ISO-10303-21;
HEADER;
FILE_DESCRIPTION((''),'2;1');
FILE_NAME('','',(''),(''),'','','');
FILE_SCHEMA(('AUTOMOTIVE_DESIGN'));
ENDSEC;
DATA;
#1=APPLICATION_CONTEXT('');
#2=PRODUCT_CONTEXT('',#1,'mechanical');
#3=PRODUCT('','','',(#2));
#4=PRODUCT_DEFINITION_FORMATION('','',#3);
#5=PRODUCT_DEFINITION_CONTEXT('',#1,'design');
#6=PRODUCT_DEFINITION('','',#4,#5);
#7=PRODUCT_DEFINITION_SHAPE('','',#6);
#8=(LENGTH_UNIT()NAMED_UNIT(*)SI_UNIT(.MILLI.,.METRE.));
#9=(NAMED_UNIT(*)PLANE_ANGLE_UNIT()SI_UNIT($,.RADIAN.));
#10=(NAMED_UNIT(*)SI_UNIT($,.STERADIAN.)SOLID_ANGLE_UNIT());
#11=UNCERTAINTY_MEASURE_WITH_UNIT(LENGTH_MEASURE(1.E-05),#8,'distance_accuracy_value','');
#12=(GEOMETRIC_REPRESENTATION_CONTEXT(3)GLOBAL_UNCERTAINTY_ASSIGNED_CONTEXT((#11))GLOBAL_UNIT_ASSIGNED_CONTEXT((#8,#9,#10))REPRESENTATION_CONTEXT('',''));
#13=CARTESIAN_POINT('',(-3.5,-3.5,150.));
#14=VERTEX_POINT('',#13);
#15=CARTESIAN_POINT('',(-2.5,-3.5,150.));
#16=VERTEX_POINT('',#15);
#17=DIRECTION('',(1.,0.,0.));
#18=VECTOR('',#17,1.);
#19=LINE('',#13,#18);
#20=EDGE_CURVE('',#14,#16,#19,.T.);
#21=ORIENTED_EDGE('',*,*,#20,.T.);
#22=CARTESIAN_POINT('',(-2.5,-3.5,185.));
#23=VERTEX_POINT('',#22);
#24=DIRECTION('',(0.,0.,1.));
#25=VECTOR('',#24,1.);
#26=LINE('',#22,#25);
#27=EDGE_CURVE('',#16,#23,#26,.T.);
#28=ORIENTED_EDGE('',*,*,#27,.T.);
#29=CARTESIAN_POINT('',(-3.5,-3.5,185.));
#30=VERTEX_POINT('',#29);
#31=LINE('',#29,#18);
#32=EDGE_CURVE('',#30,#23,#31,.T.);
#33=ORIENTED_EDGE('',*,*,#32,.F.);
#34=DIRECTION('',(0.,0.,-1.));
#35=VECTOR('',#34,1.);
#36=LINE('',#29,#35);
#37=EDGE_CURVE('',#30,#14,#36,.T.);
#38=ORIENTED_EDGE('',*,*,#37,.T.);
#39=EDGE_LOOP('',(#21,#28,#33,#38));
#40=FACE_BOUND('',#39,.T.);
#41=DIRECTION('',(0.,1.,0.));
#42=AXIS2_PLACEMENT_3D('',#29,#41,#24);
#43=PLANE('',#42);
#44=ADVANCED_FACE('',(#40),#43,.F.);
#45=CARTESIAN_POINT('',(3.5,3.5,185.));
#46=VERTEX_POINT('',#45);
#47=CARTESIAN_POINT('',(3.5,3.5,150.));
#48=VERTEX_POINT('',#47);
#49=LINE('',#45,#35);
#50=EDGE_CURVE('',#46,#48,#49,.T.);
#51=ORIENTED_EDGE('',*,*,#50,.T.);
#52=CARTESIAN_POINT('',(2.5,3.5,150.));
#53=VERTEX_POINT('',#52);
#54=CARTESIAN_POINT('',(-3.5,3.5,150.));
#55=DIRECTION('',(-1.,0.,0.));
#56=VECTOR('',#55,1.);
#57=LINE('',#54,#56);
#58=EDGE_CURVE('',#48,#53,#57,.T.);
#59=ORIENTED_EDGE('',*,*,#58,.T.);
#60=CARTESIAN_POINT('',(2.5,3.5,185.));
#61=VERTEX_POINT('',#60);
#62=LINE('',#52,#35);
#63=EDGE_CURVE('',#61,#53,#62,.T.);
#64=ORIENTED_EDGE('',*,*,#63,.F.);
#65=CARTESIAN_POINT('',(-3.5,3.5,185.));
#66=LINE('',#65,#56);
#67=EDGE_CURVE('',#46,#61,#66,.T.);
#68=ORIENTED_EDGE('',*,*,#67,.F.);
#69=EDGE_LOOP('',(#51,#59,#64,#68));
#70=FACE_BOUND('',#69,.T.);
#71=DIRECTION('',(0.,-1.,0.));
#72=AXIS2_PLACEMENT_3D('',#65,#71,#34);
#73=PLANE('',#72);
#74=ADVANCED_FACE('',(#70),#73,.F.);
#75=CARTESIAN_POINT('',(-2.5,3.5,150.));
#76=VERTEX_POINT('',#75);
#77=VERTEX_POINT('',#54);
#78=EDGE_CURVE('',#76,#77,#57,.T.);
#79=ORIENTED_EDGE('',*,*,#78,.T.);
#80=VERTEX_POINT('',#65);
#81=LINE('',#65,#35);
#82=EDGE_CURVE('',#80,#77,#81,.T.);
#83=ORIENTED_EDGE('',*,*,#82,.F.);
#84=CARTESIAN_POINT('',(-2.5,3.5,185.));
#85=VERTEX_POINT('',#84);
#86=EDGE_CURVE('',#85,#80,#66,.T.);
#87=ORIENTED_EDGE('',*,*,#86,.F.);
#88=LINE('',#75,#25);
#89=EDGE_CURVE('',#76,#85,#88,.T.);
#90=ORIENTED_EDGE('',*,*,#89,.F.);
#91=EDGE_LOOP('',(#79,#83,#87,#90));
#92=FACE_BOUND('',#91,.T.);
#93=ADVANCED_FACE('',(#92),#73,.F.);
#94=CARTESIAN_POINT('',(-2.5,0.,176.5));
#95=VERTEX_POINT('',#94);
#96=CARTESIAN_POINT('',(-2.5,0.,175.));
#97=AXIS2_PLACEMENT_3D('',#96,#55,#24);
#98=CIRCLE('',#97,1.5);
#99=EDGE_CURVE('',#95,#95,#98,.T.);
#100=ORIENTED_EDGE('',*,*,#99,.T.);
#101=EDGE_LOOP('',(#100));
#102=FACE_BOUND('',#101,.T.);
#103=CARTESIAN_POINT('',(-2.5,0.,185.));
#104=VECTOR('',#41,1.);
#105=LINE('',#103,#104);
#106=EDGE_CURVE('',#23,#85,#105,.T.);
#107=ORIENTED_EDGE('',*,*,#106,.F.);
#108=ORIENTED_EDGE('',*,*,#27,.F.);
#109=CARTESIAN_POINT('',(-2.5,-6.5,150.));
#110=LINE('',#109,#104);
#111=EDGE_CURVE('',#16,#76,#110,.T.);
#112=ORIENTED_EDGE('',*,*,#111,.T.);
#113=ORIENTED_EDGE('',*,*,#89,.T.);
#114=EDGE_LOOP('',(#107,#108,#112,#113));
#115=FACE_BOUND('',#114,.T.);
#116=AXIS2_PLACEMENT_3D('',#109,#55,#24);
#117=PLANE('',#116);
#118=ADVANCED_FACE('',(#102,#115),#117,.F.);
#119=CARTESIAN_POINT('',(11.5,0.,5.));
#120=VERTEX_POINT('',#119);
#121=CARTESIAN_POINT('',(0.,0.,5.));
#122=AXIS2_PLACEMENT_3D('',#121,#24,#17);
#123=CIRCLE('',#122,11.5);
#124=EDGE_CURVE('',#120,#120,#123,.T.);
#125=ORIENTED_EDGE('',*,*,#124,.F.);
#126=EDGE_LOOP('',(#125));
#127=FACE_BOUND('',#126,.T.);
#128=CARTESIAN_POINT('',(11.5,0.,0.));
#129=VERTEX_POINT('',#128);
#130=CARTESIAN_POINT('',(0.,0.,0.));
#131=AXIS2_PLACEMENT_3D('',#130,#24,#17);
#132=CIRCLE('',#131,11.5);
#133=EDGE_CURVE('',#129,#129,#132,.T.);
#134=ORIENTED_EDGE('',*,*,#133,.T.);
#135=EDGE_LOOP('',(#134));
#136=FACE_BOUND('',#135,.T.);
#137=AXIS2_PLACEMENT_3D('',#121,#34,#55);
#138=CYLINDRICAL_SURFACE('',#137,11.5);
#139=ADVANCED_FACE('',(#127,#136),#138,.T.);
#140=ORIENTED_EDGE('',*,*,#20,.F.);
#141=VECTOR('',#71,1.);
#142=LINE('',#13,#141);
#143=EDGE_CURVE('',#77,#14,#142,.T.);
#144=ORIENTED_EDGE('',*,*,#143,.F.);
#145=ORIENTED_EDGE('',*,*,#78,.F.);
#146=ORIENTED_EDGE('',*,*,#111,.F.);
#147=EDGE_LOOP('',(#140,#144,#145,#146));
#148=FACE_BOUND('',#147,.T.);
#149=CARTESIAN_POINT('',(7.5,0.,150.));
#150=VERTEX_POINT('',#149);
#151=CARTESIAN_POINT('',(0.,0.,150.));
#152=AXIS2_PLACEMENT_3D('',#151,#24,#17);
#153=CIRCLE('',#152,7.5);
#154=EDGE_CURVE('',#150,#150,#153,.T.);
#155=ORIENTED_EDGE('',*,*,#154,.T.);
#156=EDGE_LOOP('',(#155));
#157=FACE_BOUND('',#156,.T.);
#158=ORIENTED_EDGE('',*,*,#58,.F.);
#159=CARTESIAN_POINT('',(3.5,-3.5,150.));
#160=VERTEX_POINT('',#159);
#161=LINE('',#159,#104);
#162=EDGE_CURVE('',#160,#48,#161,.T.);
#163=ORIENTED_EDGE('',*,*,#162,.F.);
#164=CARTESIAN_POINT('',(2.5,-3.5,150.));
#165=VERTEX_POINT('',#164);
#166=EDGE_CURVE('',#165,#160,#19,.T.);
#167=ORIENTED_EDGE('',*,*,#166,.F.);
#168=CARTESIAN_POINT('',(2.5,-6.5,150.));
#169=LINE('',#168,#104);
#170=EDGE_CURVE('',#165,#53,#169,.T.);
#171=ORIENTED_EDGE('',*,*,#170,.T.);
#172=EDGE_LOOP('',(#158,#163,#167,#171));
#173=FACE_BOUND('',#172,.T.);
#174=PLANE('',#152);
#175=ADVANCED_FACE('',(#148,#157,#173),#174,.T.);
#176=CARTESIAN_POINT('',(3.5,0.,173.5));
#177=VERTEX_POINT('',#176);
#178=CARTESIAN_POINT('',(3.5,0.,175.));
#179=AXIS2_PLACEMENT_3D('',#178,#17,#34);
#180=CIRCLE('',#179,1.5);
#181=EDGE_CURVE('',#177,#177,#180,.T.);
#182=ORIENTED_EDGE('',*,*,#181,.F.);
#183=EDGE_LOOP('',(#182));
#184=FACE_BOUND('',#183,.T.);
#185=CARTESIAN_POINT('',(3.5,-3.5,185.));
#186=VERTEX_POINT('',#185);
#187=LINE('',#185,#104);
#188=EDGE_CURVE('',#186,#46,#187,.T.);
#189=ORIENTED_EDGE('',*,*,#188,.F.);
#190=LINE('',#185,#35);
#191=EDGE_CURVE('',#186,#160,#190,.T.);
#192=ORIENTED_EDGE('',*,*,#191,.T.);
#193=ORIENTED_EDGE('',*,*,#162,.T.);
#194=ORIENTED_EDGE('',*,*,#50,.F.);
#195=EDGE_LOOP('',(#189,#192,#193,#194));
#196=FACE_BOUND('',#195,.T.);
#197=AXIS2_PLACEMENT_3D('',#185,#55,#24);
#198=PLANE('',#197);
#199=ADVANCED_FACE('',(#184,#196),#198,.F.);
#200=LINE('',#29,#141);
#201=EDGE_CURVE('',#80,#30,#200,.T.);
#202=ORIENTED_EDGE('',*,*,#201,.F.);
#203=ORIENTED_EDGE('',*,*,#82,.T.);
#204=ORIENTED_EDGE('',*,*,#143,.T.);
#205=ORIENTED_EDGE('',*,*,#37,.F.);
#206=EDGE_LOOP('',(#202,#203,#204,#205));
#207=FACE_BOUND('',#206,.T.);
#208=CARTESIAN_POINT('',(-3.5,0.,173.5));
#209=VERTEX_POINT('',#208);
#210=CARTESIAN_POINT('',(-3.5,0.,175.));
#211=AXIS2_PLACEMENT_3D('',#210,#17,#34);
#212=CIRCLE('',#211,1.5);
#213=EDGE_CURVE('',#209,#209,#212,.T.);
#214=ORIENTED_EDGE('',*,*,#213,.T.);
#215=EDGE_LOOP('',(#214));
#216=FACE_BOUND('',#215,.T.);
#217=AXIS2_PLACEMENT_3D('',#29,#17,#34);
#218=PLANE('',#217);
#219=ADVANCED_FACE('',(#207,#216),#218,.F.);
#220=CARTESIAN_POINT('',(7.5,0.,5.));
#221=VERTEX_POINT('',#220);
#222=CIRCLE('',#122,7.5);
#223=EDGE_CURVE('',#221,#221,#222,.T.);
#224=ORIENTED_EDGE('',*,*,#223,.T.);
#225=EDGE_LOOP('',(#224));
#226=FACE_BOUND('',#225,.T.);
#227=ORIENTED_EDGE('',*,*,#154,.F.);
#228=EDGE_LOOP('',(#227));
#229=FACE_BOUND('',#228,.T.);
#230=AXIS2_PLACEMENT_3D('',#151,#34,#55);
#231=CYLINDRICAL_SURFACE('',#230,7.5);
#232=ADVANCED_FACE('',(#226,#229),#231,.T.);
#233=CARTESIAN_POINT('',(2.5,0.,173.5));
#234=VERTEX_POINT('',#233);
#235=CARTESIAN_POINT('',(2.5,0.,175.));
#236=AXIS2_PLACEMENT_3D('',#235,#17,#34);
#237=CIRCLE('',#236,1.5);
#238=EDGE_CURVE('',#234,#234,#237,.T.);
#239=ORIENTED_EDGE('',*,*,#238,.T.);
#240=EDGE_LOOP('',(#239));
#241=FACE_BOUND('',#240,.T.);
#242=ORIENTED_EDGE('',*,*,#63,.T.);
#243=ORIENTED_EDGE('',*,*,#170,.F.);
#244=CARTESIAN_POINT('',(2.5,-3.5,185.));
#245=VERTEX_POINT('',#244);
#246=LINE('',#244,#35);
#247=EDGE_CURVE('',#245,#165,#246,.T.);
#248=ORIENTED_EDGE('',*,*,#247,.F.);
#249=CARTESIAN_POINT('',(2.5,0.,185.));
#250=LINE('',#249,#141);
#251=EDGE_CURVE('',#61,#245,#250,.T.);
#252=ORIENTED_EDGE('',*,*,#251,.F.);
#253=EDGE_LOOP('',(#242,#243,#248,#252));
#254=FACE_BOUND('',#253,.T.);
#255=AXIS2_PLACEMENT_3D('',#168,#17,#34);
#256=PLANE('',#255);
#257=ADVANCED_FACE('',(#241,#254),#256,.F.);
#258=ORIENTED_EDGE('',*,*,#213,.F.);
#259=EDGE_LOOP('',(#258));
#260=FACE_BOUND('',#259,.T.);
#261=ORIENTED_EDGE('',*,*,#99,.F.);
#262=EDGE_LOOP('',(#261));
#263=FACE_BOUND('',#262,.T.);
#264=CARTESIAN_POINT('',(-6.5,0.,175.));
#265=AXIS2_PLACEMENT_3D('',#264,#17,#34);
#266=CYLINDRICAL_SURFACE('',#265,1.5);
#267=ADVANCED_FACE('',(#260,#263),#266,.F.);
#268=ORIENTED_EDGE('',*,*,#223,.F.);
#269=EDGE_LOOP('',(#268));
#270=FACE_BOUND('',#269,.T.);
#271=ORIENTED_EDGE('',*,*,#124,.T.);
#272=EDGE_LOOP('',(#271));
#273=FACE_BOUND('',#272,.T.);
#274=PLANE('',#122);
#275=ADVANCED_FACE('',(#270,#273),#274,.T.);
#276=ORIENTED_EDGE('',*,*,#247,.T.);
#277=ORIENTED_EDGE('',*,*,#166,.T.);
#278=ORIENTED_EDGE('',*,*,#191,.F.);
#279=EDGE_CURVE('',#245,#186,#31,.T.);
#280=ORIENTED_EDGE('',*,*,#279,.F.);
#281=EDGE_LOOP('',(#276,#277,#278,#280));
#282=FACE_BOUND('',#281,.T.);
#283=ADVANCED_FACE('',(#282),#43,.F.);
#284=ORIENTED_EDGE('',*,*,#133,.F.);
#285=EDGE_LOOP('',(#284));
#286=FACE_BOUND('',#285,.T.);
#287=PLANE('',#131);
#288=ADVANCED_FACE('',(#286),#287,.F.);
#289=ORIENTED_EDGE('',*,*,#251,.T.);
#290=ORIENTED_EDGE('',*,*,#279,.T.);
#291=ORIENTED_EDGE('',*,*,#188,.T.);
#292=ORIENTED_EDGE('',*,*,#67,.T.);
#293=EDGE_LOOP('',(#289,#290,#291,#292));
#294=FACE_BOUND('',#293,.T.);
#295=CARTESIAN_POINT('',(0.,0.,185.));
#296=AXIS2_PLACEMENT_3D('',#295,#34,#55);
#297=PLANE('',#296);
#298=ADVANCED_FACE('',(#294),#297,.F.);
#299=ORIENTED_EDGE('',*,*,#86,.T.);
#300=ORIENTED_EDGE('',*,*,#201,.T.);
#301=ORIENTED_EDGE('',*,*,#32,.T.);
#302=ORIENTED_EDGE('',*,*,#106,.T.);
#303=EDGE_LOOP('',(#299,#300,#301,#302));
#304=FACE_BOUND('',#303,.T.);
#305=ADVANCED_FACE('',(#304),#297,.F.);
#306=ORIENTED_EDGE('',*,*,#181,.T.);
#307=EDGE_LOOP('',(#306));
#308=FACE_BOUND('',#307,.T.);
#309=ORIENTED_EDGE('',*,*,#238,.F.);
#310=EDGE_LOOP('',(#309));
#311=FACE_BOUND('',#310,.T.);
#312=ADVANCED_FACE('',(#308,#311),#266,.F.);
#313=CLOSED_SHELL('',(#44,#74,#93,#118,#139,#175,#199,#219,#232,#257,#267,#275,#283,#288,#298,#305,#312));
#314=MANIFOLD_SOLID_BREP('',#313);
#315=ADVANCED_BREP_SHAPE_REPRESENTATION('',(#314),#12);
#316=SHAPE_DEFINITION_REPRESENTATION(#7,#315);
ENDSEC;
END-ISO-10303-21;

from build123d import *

# Parameters (mm, degrees)
SKETCH1_R           = 7.5
BOSS_EXTRUDE2_DEPTH = 150
SKETCH1_4_R         = 11.5
SKETCH1_4_R_2       = 7.5
BOSS_EXTRUDE3_DEPTH = 5
SKETCH3_W           = 7
SKETCH3_H           = 7
BOSS_EXTRUDE4_DEPTH = 35
SKETCH7_W           = 5
SKETCH7_H           = 35
CUT_EXTRUDE2_DEPTH  = 10
SKETCH8_R           = 1.5
CUT_EXTRUDE3_DEPTH  = 10


with BuildPart() as part:
    # Sketch1 → Boss-Extrude2 (new body)
    with BuildSketch(Plane.XY):
        Circle(SKETCH1_R)
    extrude(amount=BOSS_EXTRUDE2_DEPTH)

    # Sketch1<4> → Boss-Extrude3 (add)
    with BuildSketch(Plane.XY):
        Circle(SKETCH1_4_R)
        Circle(SKETCH1_4_R_2, mode=Mode.SUBTRACT)
    extrude(amount=BOSS_EXTRUDE3_DEPTH)

    # Sketch3 → Boss-Extrude4 (add)
    with BuildSketch(Plane.XY.offset(150)):
        Rectangle(SKETCH3_W, SKETCH3_H)
    extrude(amount=BOSS_EXTRUDE4_DEPTH)

    # Sketch7 → Cut-Extrude2 (cut)
    with BuildSketch(Plane(origin=(0, 3.5, 0), x_dir=(1, 0, 0), z_dir=(0, 1, 0))):
        with Locations((0, -167.5)):
            Rectangle(SKETCH7_W, SKETCH7_H)
    extrude(amount=-CUT_EXTRUDE2_DEPTH, mode=Mode.SUBTRACT)

    # Sketch8 → Cut-Extrude3 (cut)
    with BuildSketch(Plane(origin=(3.5, 0, 0), x_dir=(0, 0, -1), z_dir=(1, 0, 0))):
        with Locations((-175, 0)):
            Circle(SKETCH8_R)
    extrude(amount=-CUT_EXTRUDE3_DEPTH, mode=Mode.SUBTRACT)


solid = part.part
